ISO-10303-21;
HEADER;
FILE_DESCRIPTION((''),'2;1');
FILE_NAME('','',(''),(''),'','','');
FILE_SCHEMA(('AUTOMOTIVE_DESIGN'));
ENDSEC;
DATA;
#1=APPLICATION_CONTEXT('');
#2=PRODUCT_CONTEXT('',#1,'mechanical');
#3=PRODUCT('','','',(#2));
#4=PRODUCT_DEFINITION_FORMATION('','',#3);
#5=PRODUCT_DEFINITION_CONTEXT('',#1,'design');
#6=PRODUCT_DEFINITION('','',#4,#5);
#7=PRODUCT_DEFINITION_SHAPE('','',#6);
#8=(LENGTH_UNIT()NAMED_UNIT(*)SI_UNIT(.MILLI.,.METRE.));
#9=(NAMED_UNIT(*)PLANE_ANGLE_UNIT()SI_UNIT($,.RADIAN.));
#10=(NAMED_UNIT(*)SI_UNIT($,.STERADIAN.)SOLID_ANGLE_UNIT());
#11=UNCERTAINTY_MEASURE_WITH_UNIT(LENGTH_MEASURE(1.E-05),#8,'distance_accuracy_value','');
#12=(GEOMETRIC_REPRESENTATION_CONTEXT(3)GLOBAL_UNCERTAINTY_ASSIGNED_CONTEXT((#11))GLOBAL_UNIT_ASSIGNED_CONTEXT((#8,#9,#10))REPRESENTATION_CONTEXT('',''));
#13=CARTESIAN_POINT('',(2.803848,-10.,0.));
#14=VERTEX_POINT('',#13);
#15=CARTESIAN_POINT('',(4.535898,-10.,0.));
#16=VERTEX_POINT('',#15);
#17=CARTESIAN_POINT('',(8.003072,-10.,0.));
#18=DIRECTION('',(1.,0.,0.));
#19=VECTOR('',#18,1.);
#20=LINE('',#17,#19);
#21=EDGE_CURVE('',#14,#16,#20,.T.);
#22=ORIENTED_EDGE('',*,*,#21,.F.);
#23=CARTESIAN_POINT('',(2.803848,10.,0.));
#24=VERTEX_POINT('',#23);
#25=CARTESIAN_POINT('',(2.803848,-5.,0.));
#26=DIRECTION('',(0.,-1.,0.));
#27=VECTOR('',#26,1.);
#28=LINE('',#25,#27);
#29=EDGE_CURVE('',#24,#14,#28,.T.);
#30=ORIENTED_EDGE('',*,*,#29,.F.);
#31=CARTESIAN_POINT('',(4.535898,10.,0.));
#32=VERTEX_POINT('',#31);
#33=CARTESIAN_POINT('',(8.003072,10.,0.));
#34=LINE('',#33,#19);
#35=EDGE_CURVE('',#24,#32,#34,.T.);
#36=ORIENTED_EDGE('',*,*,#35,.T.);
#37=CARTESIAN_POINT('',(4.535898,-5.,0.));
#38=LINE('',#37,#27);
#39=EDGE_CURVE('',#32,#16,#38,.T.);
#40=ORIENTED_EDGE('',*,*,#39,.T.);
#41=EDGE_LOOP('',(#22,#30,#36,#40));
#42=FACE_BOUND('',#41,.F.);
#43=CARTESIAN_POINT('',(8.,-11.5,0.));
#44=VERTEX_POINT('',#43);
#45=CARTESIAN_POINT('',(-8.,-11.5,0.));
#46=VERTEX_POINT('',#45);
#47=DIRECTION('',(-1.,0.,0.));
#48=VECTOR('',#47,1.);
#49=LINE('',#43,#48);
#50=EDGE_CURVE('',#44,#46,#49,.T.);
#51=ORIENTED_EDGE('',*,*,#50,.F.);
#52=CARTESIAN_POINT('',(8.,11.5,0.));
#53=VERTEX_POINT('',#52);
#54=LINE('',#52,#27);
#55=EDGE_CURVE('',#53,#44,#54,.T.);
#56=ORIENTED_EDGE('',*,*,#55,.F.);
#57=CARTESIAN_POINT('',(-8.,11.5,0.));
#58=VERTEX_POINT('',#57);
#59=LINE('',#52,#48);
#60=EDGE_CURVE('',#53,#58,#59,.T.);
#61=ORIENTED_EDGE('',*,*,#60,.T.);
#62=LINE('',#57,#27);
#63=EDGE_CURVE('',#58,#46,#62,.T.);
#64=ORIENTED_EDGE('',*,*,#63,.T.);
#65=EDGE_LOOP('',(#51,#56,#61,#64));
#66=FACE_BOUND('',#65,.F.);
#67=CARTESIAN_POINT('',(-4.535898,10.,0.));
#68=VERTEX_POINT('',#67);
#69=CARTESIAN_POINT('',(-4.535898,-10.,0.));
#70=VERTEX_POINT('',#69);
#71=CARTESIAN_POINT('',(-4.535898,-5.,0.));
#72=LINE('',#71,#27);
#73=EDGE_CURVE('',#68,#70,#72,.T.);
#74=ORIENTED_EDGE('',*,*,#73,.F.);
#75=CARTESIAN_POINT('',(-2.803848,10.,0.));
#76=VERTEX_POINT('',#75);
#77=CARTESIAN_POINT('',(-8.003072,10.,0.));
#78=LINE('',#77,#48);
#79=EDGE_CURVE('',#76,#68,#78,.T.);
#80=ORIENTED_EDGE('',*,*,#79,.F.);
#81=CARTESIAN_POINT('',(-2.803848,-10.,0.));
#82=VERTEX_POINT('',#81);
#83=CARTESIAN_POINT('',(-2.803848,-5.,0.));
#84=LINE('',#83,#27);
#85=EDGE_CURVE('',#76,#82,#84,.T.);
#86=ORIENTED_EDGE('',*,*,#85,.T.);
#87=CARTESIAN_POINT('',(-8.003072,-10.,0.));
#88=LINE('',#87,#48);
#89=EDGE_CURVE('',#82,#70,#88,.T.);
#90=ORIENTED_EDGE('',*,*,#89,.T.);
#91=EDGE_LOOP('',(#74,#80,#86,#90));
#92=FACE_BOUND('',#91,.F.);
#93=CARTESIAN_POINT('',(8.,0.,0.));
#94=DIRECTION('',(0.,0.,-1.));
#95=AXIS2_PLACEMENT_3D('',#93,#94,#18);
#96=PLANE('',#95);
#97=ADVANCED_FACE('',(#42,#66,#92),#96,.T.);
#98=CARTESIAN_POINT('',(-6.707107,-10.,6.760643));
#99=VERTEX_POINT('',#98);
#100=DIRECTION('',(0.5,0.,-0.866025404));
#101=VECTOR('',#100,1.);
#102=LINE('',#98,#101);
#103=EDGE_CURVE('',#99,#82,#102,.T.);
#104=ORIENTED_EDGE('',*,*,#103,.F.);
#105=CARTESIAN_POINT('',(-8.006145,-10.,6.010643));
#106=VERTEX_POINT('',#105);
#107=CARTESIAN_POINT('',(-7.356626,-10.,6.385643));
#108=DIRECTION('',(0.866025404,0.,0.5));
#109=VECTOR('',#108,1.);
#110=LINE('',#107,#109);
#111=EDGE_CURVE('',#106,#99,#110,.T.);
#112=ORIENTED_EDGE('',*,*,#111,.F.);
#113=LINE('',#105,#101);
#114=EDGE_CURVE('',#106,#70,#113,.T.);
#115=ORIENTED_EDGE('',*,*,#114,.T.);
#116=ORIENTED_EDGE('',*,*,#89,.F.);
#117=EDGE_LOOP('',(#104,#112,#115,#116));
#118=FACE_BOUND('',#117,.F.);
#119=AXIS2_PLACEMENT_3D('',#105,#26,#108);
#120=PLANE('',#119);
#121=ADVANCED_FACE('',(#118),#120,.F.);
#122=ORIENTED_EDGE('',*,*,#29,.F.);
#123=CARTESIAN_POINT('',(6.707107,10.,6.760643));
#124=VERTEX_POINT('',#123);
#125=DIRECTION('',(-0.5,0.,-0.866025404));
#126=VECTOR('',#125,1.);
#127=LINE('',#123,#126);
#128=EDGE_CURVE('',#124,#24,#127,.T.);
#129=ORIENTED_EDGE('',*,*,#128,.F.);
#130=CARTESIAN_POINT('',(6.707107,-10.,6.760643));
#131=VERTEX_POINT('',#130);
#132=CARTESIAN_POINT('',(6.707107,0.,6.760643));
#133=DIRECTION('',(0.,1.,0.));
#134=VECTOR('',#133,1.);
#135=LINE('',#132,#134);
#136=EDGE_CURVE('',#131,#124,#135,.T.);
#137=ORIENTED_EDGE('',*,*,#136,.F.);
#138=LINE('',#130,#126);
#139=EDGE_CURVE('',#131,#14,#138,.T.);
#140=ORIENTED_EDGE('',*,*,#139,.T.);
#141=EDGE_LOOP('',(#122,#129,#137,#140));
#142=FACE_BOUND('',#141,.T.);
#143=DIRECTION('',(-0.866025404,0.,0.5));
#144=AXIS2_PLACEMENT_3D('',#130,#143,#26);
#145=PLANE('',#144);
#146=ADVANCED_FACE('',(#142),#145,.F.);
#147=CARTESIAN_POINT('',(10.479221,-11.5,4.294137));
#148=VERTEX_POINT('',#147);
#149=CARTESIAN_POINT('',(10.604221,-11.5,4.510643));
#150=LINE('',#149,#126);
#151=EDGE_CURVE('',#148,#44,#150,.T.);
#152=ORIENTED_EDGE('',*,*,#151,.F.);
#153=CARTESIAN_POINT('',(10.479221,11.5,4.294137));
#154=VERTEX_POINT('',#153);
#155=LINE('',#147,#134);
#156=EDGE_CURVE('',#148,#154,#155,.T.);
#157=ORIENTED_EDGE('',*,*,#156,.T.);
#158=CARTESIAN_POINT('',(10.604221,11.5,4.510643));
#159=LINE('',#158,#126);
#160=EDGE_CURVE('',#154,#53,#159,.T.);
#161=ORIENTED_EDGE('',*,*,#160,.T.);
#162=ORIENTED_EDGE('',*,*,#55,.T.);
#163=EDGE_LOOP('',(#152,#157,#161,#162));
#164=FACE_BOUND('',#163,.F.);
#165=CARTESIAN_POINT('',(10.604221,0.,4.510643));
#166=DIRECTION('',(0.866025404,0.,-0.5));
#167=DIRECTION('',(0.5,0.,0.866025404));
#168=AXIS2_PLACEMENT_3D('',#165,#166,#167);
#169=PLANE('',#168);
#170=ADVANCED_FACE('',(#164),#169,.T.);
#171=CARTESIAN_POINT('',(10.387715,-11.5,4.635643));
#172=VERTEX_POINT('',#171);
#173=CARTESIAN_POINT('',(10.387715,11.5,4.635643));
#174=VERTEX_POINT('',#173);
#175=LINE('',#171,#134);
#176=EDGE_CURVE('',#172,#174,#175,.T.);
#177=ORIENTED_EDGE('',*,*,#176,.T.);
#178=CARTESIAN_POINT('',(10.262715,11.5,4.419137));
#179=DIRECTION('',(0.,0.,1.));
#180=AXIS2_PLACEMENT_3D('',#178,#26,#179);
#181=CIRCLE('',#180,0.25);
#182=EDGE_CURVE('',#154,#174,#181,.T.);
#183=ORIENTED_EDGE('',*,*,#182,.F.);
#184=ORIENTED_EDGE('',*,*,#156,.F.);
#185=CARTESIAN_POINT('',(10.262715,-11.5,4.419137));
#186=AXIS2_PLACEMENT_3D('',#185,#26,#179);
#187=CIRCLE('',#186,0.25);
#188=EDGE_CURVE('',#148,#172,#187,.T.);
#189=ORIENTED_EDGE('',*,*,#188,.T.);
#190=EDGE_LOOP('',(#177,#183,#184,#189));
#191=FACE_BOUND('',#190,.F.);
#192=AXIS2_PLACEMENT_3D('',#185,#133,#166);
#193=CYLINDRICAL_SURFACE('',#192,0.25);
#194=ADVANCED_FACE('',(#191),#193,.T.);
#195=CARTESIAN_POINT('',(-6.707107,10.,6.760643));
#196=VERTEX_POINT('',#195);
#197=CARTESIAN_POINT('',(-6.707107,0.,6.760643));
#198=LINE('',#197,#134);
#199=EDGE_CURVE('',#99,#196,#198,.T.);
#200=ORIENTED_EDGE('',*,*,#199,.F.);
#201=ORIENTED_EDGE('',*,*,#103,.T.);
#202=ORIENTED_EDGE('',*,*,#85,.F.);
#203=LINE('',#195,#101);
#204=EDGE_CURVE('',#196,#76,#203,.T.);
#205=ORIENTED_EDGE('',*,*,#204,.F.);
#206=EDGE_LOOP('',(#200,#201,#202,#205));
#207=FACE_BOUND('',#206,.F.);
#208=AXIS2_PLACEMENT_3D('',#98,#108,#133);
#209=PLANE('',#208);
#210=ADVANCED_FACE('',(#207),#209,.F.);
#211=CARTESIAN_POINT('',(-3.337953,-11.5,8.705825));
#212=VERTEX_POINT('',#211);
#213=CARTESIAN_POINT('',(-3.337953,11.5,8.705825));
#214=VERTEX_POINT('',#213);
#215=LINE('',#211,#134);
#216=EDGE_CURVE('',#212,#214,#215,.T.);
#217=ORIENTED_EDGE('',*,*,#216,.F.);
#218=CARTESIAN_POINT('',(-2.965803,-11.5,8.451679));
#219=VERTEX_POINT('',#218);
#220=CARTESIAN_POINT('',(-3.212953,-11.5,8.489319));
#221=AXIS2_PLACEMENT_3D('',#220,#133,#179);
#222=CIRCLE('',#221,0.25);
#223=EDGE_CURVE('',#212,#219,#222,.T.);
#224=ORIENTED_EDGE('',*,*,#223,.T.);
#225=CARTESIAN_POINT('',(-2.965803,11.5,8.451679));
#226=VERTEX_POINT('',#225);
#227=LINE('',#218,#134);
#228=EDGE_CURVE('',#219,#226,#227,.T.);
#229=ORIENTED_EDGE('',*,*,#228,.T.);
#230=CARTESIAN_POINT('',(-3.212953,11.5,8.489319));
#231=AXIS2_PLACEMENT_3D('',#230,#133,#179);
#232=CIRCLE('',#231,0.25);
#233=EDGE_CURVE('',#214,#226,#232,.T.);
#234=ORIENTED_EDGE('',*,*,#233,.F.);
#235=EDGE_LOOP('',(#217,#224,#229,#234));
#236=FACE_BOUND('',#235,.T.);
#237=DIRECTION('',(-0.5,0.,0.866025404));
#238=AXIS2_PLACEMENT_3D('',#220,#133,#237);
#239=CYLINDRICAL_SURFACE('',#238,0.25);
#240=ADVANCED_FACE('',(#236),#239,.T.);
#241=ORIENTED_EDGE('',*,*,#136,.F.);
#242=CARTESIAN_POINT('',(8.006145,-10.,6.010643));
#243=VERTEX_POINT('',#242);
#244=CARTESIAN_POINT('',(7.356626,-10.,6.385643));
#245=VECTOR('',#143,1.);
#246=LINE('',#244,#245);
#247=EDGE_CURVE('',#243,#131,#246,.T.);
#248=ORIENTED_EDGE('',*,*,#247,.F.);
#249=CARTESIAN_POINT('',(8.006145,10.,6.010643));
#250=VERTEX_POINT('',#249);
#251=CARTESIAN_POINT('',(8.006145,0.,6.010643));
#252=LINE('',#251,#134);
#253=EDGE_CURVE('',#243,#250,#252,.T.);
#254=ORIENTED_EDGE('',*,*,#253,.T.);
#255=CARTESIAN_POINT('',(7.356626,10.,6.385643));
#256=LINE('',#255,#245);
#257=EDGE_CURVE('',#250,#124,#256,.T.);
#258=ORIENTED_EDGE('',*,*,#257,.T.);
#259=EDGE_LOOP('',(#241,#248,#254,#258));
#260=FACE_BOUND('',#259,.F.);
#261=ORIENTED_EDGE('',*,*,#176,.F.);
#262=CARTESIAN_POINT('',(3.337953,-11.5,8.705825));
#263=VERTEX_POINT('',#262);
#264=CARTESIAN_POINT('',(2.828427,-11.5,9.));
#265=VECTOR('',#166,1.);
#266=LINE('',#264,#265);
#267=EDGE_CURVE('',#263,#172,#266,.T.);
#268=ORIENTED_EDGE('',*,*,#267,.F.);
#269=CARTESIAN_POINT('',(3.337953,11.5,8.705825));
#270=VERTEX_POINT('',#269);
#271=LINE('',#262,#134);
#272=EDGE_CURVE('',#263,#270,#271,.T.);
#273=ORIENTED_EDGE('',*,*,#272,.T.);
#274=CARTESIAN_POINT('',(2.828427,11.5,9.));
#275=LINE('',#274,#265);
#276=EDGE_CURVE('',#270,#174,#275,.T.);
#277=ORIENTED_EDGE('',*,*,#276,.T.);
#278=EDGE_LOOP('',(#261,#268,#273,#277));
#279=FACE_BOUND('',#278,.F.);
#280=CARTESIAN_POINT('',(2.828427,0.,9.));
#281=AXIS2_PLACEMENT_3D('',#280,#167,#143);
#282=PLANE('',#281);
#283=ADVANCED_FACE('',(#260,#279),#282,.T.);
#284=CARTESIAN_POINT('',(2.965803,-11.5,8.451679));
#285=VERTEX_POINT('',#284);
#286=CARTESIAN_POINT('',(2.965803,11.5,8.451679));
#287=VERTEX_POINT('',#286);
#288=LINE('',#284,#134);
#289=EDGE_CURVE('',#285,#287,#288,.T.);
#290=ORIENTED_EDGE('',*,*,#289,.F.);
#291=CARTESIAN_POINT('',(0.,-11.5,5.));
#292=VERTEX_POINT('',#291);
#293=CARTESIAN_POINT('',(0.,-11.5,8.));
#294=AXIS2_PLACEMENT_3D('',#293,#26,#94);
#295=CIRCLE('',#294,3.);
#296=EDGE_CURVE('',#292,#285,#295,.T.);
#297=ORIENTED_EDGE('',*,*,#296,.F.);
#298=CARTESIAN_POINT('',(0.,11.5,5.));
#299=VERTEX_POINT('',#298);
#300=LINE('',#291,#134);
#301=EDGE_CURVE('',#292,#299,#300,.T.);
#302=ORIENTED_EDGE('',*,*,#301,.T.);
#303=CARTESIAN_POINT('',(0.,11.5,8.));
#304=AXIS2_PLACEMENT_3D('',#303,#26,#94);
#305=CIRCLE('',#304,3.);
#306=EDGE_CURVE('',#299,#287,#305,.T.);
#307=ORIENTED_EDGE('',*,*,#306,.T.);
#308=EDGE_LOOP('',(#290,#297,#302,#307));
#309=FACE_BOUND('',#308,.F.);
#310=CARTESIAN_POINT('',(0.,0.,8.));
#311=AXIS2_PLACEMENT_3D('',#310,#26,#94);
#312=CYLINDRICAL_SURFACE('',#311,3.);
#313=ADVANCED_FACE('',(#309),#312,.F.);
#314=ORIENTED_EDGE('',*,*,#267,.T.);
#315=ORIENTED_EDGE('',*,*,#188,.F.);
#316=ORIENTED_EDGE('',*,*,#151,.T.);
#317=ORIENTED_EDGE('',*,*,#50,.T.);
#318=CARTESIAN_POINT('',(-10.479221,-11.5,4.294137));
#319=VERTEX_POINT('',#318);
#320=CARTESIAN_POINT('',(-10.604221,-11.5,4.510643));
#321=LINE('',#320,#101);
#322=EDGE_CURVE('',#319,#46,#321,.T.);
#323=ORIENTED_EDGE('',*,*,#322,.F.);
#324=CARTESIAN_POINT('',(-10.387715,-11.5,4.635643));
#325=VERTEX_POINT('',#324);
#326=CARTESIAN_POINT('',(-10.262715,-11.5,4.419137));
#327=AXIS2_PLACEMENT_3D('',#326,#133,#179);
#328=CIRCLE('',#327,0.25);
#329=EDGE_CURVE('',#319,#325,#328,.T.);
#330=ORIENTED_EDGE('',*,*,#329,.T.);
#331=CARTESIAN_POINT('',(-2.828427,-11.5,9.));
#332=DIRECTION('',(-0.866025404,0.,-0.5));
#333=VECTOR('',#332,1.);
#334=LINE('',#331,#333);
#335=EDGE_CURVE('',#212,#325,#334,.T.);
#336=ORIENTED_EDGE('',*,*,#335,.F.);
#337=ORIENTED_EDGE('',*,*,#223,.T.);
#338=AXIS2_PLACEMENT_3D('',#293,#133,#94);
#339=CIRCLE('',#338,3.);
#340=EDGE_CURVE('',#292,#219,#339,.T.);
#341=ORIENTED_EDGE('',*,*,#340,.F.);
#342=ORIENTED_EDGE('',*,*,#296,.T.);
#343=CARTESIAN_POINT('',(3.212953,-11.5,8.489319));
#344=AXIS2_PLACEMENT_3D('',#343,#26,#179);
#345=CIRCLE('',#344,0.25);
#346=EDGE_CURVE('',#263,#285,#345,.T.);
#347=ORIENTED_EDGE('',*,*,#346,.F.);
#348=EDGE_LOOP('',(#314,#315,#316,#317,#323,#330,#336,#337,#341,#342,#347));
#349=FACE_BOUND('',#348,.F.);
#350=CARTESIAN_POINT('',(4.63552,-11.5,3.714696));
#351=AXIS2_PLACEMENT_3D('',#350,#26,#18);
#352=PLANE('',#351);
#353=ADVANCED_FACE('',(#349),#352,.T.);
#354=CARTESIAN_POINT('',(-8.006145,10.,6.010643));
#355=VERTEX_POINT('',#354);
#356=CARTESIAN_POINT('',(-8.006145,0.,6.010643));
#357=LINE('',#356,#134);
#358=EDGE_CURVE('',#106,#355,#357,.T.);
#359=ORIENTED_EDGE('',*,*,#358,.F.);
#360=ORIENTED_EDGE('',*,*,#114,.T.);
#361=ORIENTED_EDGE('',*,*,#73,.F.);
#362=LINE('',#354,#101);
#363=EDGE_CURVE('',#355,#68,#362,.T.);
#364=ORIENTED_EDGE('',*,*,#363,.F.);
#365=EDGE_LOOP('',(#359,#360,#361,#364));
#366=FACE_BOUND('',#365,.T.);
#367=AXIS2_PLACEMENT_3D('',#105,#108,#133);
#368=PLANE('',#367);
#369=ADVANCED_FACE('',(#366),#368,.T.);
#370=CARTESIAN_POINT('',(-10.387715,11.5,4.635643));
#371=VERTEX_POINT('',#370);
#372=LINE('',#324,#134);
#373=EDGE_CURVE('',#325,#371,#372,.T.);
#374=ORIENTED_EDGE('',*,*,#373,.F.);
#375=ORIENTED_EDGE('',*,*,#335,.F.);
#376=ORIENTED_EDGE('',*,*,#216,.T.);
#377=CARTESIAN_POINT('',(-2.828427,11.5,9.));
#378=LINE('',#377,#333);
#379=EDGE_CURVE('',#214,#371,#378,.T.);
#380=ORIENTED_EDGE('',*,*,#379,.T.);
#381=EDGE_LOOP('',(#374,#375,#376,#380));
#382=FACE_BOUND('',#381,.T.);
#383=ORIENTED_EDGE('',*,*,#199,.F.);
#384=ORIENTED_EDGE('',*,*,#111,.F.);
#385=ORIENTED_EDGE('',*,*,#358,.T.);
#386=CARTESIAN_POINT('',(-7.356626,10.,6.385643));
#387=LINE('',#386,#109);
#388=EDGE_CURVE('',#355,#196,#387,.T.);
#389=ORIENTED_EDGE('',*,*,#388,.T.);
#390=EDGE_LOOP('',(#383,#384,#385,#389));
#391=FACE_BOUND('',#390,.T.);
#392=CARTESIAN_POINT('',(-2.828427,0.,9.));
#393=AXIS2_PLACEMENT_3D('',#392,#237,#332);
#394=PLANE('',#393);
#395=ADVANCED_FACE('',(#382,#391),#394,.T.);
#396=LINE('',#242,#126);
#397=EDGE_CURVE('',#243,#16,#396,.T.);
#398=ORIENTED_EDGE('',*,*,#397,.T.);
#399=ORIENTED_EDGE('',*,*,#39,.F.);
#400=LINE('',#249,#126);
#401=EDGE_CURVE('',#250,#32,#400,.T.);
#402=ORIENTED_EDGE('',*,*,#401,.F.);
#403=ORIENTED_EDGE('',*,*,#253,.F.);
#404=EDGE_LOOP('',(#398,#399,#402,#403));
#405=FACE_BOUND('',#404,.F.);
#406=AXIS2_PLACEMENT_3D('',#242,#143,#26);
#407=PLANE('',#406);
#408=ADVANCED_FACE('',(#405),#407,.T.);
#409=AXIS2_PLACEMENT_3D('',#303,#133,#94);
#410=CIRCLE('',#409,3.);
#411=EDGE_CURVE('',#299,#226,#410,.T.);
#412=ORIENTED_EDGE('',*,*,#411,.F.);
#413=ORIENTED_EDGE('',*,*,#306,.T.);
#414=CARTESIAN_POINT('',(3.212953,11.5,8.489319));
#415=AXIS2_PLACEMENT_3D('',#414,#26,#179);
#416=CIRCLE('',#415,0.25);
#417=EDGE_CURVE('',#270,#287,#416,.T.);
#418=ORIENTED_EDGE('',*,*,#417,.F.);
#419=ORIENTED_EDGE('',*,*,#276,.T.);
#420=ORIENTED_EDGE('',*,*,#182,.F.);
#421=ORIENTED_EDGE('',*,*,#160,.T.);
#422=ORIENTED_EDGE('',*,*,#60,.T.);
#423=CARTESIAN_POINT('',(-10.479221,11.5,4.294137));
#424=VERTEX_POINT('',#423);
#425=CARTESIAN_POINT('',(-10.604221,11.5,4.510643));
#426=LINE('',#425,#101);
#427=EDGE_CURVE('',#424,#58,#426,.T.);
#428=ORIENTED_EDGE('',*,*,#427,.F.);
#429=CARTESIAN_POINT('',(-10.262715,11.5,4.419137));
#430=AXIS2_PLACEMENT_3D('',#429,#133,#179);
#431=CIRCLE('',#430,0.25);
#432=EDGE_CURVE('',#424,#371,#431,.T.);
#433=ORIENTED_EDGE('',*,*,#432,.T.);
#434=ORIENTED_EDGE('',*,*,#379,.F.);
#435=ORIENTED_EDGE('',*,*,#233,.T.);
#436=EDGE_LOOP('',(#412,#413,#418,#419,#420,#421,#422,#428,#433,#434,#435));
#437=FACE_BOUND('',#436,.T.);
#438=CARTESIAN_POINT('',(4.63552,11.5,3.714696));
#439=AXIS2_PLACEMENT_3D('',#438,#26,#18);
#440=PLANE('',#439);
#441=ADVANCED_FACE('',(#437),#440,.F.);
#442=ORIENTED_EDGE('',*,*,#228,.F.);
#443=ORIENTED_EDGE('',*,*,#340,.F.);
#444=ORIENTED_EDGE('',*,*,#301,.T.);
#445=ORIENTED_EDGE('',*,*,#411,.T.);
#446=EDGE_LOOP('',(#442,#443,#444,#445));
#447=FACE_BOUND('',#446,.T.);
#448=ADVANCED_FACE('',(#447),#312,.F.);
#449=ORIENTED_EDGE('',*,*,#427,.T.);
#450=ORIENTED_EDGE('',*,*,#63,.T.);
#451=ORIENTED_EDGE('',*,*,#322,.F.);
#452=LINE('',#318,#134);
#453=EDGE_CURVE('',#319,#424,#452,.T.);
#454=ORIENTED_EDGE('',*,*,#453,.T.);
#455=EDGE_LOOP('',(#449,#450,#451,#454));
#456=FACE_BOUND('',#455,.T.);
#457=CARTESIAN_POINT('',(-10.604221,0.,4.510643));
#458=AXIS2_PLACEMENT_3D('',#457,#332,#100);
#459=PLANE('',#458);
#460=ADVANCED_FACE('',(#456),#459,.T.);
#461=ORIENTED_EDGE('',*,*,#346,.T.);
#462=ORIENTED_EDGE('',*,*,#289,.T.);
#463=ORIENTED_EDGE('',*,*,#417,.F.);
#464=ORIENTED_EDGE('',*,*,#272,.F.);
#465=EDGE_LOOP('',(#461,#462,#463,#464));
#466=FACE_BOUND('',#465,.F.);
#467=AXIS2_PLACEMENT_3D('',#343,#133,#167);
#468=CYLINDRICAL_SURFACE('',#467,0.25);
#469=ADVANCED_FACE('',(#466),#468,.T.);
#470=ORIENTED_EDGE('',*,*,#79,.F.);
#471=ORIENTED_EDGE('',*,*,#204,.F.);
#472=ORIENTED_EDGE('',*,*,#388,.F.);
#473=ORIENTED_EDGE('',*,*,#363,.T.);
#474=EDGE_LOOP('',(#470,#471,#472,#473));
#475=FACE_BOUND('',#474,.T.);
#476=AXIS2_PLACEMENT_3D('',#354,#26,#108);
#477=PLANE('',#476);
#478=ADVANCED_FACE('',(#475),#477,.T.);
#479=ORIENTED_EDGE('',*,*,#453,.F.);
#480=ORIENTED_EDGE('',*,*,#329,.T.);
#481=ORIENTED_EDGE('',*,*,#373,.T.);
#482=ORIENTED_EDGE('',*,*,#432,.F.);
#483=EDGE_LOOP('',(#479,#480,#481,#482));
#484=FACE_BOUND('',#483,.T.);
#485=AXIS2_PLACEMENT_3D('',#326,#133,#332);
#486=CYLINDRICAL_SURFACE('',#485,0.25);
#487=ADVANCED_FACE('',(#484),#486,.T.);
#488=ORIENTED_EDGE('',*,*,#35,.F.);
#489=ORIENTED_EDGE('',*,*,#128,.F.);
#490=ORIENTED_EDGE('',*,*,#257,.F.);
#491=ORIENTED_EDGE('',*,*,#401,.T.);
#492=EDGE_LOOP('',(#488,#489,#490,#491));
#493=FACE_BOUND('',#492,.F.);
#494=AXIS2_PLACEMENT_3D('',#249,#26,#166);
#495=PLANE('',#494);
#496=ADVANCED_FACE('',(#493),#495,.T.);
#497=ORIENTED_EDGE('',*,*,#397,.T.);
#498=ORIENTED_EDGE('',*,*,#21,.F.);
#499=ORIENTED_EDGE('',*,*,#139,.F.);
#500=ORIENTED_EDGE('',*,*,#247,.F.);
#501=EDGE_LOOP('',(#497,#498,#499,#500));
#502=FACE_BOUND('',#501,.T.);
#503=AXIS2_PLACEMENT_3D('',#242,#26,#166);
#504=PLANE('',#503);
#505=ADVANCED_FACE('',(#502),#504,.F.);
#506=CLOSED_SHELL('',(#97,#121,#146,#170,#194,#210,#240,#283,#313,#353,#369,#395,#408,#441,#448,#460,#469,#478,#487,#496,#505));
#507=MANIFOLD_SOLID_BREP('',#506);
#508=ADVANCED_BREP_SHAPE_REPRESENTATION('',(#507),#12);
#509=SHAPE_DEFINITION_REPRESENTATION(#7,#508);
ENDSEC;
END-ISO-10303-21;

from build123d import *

# Parameters (mm, degrees)
F2_DEPTH = 11.5
F4_W     = 1.5
F4_H     = 20
F5_DEPTH = 25
F6_R     = 0.25


with BuildPart() as f2:
    # F1 (on Front) → F2 (new body, symmetric)
    with BuildSketch(Plane.XZ):
        with BuildLine():
            Line((-10.6042210982, 4.5106432563), (-8, 0))
            Line((-8, 0), (0, 0))
            Line((0, 0), (0, 5))
            ThreePointArc((0, 5), (-2.4494897428, 6.2679491924), (-2.8284271247, 9))
            Line((-2.8284271247, 9), (-10.6042210982, 4.5106432563))
        make_face()
    extrude(amount=F2_DEPTH, both=True)

    # F4 (on offset) → F5 (cut)
    with BuildSketch(Plane(origin=(-4.6042210982, 0, 7.9747448714), x_dir=(0.8660254038, 0, 0.5), z_dir=(-0.5, 0, 0.8660254038))):
        with Locations((-3.1782032303, 0)):
            Rectangle(F4_W, F4_H)
    extrude(amount=-F5_DEPTH, mode=Mode.SUBTRACT)

    # F6
    f6_edges = [f2.edges().sort_by_distance(p)[0] for p in [
        (-10.604221, 0, 4.510643),
        (-2.828427, 0, 9),
    ]]
    fillet(f6_edges, radius=F6_R)

    # F7: F2 across plane


with BuildPart() as f2_1:
    add(f2.part)
    add(f2.part.mirror(Plane.YZ))


solid = f2_1.part
